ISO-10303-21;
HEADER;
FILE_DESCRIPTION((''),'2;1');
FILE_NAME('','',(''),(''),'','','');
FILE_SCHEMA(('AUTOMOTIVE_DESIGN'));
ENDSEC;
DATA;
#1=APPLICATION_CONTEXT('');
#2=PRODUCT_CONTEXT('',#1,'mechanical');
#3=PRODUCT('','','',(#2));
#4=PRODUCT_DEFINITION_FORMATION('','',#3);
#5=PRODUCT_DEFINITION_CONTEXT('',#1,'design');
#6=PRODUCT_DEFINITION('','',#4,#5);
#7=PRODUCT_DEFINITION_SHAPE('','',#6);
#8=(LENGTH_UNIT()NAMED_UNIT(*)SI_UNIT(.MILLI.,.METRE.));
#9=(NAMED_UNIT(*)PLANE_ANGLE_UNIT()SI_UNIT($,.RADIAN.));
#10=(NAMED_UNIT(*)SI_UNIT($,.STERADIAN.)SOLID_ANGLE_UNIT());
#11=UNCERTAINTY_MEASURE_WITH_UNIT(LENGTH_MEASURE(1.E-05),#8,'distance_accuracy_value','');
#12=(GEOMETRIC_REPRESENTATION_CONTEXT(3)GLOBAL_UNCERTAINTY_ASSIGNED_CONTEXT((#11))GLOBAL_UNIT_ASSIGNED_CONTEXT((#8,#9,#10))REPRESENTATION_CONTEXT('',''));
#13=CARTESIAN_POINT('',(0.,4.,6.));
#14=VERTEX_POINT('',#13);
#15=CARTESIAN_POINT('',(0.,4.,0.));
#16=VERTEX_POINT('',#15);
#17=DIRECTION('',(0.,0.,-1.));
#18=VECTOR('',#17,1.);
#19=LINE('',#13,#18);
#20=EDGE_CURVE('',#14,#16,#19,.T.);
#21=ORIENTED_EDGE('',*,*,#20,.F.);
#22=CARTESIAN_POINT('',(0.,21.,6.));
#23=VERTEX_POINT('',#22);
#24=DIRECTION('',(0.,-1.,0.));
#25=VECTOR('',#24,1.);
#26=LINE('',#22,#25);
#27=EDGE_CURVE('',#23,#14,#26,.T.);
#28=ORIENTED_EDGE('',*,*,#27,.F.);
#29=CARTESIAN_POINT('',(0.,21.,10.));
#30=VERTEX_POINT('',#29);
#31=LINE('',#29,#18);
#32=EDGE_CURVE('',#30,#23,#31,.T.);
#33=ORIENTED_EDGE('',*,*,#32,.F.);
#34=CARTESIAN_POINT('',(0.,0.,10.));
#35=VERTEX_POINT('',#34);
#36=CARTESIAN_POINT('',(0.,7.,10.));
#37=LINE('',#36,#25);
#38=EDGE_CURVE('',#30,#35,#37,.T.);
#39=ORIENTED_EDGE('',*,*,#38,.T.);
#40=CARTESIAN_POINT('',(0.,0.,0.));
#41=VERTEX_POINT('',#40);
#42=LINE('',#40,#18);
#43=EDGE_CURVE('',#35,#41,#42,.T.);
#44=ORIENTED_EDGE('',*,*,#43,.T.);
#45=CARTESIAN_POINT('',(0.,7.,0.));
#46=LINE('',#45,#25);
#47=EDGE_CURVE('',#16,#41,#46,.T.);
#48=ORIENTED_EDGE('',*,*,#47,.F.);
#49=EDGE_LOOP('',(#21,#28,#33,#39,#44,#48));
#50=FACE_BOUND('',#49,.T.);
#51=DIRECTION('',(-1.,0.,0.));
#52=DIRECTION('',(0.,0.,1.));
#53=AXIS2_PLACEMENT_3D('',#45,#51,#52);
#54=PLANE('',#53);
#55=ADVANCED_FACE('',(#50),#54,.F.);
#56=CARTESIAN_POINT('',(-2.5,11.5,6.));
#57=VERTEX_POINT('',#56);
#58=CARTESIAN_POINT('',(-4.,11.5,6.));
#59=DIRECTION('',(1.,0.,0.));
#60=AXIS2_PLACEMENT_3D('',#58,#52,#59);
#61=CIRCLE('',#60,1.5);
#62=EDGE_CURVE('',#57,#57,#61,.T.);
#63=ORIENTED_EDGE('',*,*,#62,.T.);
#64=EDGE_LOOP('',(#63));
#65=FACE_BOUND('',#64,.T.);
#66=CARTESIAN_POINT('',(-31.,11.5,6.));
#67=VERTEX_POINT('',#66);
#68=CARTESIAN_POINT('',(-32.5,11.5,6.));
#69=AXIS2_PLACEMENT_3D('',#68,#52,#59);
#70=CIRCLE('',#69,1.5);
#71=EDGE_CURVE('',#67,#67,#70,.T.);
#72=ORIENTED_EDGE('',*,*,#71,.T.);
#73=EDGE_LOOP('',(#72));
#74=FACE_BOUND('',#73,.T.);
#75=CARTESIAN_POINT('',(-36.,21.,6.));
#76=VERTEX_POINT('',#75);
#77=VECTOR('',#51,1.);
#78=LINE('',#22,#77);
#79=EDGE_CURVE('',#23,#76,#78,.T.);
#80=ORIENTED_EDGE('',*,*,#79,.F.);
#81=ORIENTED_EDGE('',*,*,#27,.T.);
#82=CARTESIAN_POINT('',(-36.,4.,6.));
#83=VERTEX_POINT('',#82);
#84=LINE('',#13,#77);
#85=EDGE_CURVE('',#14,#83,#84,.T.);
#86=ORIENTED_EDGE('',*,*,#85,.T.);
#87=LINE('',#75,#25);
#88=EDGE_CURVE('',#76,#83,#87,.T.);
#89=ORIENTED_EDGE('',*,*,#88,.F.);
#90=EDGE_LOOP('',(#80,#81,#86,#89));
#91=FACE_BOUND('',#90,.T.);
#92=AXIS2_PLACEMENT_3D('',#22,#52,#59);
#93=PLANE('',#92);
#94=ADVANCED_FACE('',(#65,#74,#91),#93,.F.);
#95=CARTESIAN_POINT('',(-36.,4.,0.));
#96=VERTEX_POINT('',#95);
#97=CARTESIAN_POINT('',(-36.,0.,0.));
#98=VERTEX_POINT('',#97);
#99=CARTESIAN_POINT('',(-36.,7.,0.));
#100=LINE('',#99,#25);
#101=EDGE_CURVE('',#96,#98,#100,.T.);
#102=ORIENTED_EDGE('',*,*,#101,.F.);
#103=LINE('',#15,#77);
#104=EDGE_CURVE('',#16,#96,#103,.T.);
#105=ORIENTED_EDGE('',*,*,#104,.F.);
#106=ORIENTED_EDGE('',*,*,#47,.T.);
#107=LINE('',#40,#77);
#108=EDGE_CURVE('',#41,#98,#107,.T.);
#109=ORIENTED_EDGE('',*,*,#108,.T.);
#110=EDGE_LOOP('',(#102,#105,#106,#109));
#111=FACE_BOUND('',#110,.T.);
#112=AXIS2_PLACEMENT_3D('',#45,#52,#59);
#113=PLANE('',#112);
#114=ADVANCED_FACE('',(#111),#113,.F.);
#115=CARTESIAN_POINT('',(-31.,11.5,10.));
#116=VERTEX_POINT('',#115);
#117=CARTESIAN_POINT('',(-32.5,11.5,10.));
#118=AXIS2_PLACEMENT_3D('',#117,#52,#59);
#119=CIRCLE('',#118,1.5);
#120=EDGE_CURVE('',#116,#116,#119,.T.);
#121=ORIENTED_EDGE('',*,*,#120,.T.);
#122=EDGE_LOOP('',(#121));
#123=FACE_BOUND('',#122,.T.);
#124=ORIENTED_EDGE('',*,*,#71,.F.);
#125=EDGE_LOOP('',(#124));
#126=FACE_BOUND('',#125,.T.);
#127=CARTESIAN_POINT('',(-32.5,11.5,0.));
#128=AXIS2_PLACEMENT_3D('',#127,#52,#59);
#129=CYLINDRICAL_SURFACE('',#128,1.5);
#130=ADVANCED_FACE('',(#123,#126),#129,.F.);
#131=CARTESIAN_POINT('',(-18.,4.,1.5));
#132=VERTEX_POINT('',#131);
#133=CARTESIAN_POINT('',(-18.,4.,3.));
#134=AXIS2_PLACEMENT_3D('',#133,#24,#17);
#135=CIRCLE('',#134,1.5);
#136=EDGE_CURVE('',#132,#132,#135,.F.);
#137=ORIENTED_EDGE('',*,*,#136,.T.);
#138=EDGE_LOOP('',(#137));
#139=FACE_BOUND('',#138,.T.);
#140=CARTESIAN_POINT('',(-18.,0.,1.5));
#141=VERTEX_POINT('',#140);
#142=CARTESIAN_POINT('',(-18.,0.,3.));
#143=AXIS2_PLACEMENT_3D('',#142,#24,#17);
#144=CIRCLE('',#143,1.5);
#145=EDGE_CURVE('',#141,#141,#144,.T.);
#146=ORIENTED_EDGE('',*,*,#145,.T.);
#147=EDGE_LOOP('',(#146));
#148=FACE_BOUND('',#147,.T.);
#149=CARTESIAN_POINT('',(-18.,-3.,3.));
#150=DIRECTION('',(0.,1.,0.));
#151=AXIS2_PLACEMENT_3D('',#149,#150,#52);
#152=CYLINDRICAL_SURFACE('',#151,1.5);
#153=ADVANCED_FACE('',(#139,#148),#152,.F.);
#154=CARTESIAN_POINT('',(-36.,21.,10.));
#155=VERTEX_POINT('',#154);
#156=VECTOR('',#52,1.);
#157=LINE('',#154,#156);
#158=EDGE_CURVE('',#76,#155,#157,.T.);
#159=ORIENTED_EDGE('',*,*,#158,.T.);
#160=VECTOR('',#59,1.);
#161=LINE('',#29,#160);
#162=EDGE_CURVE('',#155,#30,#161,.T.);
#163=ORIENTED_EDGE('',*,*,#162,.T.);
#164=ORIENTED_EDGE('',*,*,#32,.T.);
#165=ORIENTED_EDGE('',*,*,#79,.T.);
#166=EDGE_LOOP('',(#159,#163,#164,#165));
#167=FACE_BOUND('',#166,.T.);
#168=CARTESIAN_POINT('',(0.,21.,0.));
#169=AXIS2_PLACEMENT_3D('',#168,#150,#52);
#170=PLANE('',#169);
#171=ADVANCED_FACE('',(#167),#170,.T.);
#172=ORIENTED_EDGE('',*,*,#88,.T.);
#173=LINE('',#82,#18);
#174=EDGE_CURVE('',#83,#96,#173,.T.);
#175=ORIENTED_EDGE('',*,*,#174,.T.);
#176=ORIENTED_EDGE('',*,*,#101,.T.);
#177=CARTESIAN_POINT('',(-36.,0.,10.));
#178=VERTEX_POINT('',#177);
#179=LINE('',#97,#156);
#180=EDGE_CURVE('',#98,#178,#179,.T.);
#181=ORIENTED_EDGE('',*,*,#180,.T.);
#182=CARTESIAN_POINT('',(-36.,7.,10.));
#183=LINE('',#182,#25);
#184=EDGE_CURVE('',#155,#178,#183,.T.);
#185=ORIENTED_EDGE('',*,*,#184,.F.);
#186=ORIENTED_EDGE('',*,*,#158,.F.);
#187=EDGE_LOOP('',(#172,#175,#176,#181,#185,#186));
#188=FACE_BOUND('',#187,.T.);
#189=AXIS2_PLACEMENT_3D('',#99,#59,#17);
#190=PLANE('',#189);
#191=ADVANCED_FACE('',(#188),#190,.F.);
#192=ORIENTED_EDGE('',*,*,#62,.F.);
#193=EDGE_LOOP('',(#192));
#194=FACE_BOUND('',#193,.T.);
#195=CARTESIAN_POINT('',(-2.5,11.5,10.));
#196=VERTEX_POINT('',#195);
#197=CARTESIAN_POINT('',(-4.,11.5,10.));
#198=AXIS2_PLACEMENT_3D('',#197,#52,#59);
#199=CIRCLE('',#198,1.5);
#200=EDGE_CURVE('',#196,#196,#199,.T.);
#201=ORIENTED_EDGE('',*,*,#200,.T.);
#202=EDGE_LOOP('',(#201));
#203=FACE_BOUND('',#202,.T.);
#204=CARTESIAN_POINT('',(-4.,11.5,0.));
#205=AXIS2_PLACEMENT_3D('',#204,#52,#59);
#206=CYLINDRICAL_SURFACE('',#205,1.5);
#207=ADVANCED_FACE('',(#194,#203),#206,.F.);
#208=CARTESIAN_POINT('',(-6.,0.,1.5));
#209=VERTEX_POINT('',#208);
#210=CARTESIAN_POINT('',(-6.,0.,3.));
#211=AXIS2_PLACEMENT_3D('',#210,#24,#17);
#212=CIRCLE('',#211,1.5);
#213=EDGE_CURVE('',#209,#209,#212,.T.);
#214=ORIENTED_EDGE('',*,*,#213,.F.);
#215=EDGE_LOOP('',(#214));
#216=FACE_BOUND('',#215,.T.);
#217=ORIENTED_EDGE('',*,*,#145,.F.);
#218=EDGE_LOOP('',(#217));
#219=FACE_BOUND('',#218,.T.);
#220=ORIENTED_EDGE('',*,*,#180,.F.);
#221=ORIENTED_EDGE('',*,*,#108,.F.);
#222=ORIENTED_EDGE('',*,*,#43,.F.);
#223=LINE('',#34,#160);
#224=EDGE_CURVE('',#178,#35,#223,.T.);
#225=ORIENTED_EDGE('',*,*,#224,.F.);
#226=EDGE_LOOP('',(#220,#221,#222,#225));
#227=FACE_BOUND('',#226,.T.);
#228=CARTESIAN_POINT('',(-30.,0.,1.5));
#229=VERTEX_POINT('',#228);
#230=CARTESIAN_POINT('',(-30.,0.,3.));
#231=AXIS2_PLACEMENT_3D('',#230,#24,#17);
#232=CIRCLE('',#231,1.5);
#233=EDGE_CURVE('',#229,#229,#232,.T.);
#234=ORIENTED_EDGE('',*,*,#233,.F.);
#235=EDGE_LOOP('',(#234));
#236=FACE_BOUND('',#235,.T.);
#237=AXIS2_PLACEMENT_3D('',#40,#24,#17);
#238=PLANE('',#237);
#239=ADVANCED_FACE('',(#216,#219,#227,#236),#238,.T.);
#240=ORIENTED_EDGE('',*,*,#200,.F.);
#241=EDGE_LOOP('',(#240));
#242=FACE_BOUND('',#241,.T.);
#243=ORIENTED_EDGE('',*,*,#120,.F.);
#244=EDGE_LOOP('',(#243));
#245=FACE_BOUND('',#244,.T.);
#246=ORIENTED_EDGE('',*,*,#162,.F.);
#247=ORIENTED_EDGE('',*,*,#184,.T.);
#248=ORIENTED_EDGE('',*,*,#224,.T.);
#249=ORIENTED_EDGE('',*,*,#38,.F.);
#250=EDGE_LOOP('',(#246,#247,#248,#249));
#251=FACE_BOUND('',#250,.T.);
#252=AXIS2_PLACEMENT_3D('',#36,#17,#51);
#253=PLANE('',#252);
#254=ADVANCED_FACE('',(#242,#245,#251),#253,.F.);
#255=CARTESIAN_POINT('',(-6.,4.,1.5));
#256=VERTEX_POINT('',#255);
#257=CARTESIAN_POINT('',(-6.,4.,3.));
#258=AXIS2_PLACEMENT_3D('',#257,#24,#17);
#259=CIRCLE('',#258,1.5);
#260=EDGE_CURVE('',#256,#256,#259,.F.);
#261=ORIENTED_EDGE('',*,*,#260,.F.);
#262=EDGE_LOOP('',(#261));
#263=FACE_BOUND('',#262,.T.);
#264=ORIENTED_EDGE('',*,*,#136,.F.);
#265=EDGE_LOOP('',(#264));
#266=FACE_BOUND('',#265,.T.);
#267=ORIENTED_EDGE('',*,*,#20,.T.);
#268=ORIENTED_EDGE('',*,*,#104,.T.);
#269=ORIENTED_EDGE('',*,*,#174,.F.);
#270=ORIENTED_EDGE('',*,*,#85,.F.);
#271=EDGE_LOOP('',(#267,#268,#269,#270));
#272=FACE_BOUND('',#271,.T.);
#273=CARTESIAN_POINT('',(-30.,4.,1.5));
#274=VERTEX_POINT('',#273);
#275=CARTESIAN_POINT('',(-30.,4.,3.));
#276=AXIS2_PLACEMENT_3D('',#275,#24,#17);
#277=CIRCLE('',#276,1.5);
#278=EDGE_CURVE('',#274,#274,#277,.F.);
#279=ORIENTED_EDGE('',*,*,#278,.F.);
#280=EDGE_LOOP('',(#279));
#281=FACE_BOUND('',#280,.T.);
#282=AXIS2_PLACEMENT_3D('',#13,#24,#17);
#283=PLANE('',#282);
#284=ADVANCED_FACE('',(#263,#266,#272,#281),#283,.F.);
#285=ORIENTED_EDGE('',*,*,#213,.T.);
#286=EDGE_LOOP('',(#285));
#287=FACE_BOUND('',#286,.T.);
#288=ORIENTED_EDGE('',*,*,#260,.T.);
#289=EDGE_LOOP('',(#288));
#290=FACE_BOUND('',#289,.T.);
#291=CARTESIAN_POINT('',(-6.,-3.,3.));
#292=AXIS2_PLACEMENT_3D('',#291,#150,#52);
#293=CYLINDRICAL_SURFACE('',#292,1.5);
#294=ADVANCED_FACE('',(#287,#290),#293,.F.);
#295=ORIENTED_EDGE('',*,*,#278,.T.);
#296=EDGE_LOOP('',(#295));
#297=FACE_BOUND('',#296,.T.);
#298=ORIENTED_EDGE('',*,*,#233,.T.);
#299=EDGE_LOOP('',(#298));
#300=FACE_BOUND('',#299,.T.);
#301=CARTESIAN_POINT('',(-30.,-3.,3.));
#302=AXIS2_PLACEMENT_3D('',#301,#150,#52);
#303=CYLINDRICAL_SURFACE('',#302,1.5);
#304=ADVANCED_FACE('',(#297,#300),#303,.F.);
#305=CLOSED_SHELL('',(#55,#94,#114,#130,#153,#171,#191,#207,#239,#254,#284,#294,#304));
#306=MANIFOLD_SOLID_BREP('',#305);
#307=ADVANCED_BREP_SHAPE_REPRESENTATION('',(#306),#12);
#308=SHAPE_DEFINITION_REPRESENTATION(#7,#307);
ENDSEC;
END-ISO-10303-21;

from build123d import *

# Parameters (mm, degrees)
CROQUIS1_W              = 36
CROQUIS1_H              = 10
SALIENTE_EXTRUIR1_DEPTH = 7
CROQUIS3_W              = 36
CROQUIS3_H              = 4
SALIENTE_EXTRUIR2_DEPTH = 14
CROQUIS4_R              = 1.5
CORTAR_EXTRUIR1_DEPTH   = 10
CROQUIS5_R              = 1.5
CORTAR_EXTRUIR2_DEPTH   = 10
CROQUIS6_W              = 36
CROQUIS6_H              = 3
CORTAR_EXTRUIR3_DEPTH   = 6


with BuildPart() as part:
    # Croquis1 → Saliente-Extruir1 (new body)
    with BuildSketch(Plane(origin=(0, 0, 0), x_dir=(1, 0, 0), z_dir=(0, 1, 0))):
        with Locations((-18, -5)):
            Rectangle(CROQUIS1_W, CROQUIS1_H)
    extrude(amount=SALIENTE_EXTRUIR1_DEPTH)

    # Croquis3 → Saliente-Extruir2 (add)
    with BuildSketch(Plane(origin=(0, 7, 0), x_dir=(1, 0, 0), z_dir=(0, 1, 0))):
        with Locations((-18, -8)):
            Rectangle(CROQUIS3_W, CROQUIS3_H)
    extrude(amount=SALIENTE_EXTRUIR2_DEPTH)

    # Croquis4 → Cortar-Extruir1 (cut)
    with BuildSketch(Plane(origin=(0, 7, 0), x_dir=(1, 0, 0), z_dir=(0, 1, 0))):
        with Locations(Location((-30, -3, 0), (0, 0, 270))):
            Circle(CROQUIS4_R)
        with Locations(Location((-18, -3, 0), (0, 0, 270))):
            Circle(CROQUIS4_R)
        with Locations(Location((-6, -3, 0), (0, 0, 270))):
            Circle(CROQUIS4_R)
    extrude(amount=-CORTAR_EXTRUIR1_DEPTH, mode=Mode.SUBTRACT)

    # Croquis5 → Cortar-Extruir2 (cut)
    with BuildSketch(Plane.XY.offset(10)):
        with Locations((-32.5, 11.5)):
            Circle(CROQUIS5_R)
        with Locations((-4, 11.5)):
            Circle(CROQUIS5_R)
    extrude(amount=-CORTAR_EXTRUIR2_DEPTH, mode=Mode.SUBTRACT)

    # Croquis6 → Cortar-Extruir3 (cut)
    with BuildSketch(Plane(origin=(0, 0, 0), x_dir=(-1, 0, 0), z_dir=(0, 0, -1))):
        with Locations((18, 5.5)):
            Rectangle(CROQUIS6_W, CROQUIS6_H)
    extrude(amount=-CORTAR_EXTRUIR3_DEPTH, mode=Mode.SUBTRACT)


solid = part.part
